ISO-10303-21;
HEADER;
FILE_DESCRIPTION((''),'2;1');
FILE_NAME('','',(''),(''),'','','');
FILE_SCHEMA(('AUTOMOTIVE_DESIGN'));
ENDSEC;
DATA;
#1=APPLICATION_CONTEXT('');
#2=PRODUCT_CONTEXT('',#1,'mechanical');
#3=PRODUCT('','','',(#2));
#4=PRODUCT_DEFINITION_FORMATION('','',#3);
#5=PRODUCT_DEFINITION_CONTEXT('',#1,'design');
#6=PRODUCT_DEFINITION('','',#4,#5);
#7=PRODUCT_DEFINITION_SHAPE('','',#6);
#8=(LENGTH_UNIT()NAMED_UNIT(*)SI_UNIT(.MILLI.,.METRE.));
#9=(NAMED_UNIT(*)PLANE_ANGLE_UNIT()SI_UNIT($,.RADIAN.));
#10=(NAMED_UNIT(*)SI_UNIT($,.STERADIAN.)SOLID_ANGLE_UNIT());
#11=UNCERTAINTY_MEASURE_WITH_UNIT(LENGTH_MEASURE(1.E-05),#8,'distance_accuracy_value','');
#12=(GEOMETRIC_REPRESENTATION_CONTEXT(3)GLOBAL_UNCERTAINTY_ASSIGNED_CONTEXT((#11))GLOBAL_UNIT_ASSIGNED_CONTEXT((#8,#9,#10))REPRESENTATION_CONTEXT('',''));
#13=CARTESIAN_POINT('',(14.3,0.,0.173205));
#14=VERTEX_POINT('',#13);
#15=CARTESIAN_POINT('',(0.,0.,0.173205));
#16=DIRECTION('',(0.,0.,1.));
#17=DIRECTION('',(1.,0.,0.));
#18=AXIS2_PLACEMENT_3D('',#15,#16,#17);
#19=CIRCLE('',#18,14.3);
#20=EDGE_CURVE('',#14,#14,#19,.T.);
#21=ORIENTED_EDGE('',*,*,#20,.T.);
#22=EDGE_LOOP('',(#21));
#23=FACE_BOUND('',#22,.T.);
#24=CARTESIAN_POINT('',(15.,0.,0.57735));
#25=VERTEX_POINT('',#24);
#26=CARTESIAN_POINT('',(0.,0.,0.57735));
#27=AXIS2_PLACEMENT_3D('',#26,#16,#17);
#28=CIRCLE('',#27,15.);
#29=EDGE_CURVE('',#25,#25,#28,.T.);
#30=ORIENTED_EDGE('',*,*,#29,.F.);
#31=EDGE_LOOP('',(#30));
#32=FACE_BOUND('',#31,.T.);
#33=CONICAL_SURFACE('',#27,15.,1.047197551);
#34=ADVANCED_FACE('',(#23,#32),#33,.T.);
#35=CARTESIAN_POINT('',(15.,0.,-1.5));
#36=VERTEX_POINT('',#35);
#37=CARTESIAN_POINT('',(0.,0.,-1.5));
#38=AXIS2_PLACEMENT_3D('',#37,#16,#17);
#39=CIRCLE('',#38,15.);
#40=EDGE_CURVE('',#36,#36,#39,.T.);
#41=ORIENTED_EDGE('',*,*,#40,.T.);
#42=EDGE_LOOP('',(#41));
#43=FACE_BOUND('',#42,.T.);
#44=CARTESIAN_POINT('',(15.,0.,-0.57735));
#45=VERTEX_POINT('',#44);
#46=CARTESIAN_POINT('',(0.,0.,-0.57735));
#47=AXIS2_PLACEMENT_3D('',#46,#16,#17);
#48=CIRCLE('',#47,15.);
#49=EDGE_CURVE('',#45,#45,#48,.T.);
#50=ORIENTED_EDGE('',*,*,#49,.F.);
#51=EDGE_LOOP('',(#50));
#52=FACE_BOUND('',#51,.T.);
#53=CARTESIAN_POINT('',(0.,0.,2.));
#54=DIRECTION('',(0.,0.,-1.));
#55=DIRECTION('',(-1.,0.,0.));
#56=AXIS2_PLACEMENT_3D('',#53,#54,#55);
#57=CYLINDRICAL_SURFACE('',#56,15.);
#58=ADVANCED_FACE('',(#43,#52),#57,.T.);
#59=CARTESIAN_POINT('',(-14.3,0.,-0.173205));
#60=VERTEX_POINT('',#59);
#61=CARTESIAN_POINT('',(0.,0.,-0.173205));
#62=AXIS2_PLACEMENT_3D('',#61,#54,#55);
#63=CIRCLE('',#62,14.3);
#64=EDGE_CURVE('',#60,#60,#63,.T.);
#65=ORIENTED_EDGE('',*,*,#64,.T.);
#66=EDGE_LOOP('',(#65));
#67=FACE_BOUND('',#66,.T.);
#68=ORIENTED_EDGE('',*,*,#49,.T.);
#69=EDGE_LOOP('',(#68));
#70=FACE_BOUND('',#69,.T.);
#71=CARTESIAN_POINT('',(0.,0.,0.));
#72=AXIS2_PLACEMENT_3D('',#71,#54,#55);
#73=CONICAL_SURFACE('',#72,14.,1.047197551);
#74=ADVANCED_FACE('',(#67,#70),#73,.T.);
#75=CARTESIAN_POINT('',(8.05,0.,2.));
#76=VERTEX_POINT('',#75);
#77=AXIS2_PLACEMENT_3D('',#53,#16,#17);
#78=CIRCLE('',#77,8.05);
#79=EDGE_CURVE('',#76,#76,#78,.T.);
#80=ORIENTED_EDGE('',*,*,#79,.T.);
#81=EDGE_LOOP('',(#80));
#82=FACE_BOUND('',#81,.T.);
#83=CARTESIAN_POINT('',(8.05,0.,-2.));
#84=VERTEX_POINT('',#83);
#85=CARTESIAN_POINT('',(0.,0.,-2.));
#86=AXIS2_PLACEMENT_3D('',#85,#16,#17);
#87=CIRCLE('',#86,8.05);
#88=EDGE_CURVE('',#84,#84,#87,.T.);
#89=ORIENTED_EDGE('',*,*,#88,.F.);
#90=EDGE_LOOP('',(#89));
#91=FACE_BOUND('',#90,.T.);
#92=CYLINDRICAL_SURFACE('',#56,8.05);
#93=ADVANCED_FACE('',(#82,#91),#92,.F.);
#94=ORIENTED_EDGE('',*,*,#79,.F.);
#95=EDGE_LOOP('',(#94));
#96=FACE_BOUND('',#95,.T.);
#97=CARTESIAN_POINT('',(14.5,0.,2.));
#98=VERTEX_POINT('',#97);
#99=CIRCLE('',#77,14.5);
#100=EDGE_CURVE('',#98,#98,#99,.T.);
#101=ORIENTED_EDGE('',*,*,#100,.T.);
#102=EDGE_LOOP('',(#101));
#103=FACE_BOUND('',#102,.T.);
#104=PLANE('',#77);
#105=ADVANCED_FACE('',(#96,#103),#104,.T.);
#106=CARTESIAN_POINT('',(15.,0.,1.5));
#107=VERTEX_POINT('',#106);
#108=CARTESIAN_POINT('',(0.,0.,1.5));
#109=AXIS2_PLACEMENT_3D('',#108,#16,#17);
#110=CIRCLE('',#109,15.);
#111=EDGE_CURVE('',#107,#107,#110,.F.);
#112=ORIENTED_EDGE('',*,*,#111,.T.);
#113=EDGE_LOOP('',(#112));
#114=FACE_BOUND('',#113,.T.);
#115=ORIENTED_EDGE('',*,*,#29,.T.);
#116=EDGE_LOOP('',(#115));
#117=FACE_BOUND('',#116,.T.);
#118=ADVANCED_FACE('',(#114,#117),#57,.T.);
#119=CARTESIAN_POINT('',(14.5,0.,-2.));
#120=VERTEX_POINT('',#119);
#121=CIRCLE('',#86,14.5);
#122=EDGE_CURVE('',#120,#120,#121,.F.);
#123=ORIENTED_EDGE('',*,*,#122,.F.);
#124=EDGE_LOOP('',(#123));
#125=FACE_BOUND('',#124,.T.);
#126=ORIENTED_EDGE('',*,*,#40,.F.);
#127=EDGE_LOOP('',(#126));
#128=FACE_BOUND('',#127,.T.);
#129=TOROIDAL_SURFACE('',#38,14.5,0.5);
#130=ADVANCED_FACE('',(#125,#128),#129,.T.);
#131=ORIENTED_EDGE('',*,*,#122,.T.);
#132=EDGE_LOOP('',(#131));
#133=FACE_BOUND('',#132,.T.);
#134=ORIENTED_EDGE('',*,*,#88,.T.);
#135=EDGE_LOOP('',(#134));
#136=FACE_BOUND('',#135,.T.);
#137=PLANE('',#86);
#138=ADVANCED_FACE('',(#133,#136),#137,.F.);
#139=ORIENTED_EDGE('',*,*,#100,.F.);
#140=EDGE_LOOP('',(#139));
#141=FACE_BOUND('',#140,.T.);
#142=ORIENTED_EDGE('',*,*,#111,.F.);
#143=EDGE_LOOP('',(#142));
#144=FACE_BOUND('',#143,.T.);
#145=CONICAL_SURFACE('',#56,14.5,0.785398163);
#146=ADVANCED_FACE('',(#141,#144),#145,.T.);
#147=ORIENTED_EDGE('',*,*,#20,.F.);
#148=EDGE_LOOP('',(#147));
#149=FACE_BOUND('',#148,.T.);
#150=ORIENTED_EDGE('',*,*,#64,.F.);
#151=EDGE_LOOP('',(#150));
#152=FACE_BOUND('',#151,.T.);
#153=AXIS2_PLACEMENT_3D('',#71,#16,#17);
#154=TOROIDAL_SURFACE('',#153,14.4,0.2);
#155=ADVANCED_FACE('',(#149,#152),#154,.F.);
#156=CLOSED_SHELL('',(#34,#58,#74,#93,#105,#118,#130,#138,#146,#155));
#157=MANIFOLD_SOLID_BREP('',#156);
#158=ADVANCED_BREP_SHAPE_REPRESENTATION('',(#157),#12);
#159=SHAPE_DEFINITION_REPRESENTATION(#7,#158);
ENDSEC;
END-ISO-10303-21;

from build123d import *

# Parameters (mm, degrees)
SKETCH_1_R      = 15
SKETCH_1_R_2    = 8.05
EXTRUDE_2_DEPTH = 2
FILLET_1_R      = 0.2
CHAMFER_1_SIZE  = 0.5
FILLET_2_R      = 0.5


with BuildPart() as part:
    # Эскиз1 → Бобышка-Вытянуть2 (new, symmetric)
    with BuildSketch(Plane.XY):
        Circle(SKETCH_1_R)
        Circle(SKETCH_1_R_2, mode=Mode.SUBTRACT)
    extrude(amount=EXTRUDE_2_DEPTH, both=True)

    # Эскиз2 → Вырез-Повернуть1 (revolve, cut)
    with BuildSketch(Plane(origin=(0, 0, 0), x_dir=(0, 0, -1), z_dir=(1, 0, 0)), mode=Mode.PRIVATE) as cut_revolve_1_sk:
        Polygon((-0.577350269, 15), (0.577350269, 15), (0, 14), align=None)
    revolve(cut_revolve_1_sk.sketch.rotate(Axis((0, 0, 3.24866267), (0, 0, -1)), 90), axis=Axis((0, 0, 3.24866267), (0, 0, -1)), mode=Mode.SUBTRACT)

    # Скругление1
    fillet_1_edges = [part.edges().sort_by_distance(p)[0] for p in [
        (-14, 0, 0),
    ]]
    fillet(fillet_1_edges, radius=FILLET_1_R)

    # Фаска1
    chamfer_1_edges = [part.edges().sort_by_distance(p)[0] for p in [
        (-15, 0, 2),
    ]]
    chamfer(chamfer_1_edges, length=CHAMFER_1_SIZE)

    # Скругление2
    fillet_2_edges = [part.edges().sort_by_distance(p)[0] for p in [
        (-15, 0, -2),
    ]]
    fillet(fillet_2_edges, radius=FILLET_2_R)


solid = part.part
